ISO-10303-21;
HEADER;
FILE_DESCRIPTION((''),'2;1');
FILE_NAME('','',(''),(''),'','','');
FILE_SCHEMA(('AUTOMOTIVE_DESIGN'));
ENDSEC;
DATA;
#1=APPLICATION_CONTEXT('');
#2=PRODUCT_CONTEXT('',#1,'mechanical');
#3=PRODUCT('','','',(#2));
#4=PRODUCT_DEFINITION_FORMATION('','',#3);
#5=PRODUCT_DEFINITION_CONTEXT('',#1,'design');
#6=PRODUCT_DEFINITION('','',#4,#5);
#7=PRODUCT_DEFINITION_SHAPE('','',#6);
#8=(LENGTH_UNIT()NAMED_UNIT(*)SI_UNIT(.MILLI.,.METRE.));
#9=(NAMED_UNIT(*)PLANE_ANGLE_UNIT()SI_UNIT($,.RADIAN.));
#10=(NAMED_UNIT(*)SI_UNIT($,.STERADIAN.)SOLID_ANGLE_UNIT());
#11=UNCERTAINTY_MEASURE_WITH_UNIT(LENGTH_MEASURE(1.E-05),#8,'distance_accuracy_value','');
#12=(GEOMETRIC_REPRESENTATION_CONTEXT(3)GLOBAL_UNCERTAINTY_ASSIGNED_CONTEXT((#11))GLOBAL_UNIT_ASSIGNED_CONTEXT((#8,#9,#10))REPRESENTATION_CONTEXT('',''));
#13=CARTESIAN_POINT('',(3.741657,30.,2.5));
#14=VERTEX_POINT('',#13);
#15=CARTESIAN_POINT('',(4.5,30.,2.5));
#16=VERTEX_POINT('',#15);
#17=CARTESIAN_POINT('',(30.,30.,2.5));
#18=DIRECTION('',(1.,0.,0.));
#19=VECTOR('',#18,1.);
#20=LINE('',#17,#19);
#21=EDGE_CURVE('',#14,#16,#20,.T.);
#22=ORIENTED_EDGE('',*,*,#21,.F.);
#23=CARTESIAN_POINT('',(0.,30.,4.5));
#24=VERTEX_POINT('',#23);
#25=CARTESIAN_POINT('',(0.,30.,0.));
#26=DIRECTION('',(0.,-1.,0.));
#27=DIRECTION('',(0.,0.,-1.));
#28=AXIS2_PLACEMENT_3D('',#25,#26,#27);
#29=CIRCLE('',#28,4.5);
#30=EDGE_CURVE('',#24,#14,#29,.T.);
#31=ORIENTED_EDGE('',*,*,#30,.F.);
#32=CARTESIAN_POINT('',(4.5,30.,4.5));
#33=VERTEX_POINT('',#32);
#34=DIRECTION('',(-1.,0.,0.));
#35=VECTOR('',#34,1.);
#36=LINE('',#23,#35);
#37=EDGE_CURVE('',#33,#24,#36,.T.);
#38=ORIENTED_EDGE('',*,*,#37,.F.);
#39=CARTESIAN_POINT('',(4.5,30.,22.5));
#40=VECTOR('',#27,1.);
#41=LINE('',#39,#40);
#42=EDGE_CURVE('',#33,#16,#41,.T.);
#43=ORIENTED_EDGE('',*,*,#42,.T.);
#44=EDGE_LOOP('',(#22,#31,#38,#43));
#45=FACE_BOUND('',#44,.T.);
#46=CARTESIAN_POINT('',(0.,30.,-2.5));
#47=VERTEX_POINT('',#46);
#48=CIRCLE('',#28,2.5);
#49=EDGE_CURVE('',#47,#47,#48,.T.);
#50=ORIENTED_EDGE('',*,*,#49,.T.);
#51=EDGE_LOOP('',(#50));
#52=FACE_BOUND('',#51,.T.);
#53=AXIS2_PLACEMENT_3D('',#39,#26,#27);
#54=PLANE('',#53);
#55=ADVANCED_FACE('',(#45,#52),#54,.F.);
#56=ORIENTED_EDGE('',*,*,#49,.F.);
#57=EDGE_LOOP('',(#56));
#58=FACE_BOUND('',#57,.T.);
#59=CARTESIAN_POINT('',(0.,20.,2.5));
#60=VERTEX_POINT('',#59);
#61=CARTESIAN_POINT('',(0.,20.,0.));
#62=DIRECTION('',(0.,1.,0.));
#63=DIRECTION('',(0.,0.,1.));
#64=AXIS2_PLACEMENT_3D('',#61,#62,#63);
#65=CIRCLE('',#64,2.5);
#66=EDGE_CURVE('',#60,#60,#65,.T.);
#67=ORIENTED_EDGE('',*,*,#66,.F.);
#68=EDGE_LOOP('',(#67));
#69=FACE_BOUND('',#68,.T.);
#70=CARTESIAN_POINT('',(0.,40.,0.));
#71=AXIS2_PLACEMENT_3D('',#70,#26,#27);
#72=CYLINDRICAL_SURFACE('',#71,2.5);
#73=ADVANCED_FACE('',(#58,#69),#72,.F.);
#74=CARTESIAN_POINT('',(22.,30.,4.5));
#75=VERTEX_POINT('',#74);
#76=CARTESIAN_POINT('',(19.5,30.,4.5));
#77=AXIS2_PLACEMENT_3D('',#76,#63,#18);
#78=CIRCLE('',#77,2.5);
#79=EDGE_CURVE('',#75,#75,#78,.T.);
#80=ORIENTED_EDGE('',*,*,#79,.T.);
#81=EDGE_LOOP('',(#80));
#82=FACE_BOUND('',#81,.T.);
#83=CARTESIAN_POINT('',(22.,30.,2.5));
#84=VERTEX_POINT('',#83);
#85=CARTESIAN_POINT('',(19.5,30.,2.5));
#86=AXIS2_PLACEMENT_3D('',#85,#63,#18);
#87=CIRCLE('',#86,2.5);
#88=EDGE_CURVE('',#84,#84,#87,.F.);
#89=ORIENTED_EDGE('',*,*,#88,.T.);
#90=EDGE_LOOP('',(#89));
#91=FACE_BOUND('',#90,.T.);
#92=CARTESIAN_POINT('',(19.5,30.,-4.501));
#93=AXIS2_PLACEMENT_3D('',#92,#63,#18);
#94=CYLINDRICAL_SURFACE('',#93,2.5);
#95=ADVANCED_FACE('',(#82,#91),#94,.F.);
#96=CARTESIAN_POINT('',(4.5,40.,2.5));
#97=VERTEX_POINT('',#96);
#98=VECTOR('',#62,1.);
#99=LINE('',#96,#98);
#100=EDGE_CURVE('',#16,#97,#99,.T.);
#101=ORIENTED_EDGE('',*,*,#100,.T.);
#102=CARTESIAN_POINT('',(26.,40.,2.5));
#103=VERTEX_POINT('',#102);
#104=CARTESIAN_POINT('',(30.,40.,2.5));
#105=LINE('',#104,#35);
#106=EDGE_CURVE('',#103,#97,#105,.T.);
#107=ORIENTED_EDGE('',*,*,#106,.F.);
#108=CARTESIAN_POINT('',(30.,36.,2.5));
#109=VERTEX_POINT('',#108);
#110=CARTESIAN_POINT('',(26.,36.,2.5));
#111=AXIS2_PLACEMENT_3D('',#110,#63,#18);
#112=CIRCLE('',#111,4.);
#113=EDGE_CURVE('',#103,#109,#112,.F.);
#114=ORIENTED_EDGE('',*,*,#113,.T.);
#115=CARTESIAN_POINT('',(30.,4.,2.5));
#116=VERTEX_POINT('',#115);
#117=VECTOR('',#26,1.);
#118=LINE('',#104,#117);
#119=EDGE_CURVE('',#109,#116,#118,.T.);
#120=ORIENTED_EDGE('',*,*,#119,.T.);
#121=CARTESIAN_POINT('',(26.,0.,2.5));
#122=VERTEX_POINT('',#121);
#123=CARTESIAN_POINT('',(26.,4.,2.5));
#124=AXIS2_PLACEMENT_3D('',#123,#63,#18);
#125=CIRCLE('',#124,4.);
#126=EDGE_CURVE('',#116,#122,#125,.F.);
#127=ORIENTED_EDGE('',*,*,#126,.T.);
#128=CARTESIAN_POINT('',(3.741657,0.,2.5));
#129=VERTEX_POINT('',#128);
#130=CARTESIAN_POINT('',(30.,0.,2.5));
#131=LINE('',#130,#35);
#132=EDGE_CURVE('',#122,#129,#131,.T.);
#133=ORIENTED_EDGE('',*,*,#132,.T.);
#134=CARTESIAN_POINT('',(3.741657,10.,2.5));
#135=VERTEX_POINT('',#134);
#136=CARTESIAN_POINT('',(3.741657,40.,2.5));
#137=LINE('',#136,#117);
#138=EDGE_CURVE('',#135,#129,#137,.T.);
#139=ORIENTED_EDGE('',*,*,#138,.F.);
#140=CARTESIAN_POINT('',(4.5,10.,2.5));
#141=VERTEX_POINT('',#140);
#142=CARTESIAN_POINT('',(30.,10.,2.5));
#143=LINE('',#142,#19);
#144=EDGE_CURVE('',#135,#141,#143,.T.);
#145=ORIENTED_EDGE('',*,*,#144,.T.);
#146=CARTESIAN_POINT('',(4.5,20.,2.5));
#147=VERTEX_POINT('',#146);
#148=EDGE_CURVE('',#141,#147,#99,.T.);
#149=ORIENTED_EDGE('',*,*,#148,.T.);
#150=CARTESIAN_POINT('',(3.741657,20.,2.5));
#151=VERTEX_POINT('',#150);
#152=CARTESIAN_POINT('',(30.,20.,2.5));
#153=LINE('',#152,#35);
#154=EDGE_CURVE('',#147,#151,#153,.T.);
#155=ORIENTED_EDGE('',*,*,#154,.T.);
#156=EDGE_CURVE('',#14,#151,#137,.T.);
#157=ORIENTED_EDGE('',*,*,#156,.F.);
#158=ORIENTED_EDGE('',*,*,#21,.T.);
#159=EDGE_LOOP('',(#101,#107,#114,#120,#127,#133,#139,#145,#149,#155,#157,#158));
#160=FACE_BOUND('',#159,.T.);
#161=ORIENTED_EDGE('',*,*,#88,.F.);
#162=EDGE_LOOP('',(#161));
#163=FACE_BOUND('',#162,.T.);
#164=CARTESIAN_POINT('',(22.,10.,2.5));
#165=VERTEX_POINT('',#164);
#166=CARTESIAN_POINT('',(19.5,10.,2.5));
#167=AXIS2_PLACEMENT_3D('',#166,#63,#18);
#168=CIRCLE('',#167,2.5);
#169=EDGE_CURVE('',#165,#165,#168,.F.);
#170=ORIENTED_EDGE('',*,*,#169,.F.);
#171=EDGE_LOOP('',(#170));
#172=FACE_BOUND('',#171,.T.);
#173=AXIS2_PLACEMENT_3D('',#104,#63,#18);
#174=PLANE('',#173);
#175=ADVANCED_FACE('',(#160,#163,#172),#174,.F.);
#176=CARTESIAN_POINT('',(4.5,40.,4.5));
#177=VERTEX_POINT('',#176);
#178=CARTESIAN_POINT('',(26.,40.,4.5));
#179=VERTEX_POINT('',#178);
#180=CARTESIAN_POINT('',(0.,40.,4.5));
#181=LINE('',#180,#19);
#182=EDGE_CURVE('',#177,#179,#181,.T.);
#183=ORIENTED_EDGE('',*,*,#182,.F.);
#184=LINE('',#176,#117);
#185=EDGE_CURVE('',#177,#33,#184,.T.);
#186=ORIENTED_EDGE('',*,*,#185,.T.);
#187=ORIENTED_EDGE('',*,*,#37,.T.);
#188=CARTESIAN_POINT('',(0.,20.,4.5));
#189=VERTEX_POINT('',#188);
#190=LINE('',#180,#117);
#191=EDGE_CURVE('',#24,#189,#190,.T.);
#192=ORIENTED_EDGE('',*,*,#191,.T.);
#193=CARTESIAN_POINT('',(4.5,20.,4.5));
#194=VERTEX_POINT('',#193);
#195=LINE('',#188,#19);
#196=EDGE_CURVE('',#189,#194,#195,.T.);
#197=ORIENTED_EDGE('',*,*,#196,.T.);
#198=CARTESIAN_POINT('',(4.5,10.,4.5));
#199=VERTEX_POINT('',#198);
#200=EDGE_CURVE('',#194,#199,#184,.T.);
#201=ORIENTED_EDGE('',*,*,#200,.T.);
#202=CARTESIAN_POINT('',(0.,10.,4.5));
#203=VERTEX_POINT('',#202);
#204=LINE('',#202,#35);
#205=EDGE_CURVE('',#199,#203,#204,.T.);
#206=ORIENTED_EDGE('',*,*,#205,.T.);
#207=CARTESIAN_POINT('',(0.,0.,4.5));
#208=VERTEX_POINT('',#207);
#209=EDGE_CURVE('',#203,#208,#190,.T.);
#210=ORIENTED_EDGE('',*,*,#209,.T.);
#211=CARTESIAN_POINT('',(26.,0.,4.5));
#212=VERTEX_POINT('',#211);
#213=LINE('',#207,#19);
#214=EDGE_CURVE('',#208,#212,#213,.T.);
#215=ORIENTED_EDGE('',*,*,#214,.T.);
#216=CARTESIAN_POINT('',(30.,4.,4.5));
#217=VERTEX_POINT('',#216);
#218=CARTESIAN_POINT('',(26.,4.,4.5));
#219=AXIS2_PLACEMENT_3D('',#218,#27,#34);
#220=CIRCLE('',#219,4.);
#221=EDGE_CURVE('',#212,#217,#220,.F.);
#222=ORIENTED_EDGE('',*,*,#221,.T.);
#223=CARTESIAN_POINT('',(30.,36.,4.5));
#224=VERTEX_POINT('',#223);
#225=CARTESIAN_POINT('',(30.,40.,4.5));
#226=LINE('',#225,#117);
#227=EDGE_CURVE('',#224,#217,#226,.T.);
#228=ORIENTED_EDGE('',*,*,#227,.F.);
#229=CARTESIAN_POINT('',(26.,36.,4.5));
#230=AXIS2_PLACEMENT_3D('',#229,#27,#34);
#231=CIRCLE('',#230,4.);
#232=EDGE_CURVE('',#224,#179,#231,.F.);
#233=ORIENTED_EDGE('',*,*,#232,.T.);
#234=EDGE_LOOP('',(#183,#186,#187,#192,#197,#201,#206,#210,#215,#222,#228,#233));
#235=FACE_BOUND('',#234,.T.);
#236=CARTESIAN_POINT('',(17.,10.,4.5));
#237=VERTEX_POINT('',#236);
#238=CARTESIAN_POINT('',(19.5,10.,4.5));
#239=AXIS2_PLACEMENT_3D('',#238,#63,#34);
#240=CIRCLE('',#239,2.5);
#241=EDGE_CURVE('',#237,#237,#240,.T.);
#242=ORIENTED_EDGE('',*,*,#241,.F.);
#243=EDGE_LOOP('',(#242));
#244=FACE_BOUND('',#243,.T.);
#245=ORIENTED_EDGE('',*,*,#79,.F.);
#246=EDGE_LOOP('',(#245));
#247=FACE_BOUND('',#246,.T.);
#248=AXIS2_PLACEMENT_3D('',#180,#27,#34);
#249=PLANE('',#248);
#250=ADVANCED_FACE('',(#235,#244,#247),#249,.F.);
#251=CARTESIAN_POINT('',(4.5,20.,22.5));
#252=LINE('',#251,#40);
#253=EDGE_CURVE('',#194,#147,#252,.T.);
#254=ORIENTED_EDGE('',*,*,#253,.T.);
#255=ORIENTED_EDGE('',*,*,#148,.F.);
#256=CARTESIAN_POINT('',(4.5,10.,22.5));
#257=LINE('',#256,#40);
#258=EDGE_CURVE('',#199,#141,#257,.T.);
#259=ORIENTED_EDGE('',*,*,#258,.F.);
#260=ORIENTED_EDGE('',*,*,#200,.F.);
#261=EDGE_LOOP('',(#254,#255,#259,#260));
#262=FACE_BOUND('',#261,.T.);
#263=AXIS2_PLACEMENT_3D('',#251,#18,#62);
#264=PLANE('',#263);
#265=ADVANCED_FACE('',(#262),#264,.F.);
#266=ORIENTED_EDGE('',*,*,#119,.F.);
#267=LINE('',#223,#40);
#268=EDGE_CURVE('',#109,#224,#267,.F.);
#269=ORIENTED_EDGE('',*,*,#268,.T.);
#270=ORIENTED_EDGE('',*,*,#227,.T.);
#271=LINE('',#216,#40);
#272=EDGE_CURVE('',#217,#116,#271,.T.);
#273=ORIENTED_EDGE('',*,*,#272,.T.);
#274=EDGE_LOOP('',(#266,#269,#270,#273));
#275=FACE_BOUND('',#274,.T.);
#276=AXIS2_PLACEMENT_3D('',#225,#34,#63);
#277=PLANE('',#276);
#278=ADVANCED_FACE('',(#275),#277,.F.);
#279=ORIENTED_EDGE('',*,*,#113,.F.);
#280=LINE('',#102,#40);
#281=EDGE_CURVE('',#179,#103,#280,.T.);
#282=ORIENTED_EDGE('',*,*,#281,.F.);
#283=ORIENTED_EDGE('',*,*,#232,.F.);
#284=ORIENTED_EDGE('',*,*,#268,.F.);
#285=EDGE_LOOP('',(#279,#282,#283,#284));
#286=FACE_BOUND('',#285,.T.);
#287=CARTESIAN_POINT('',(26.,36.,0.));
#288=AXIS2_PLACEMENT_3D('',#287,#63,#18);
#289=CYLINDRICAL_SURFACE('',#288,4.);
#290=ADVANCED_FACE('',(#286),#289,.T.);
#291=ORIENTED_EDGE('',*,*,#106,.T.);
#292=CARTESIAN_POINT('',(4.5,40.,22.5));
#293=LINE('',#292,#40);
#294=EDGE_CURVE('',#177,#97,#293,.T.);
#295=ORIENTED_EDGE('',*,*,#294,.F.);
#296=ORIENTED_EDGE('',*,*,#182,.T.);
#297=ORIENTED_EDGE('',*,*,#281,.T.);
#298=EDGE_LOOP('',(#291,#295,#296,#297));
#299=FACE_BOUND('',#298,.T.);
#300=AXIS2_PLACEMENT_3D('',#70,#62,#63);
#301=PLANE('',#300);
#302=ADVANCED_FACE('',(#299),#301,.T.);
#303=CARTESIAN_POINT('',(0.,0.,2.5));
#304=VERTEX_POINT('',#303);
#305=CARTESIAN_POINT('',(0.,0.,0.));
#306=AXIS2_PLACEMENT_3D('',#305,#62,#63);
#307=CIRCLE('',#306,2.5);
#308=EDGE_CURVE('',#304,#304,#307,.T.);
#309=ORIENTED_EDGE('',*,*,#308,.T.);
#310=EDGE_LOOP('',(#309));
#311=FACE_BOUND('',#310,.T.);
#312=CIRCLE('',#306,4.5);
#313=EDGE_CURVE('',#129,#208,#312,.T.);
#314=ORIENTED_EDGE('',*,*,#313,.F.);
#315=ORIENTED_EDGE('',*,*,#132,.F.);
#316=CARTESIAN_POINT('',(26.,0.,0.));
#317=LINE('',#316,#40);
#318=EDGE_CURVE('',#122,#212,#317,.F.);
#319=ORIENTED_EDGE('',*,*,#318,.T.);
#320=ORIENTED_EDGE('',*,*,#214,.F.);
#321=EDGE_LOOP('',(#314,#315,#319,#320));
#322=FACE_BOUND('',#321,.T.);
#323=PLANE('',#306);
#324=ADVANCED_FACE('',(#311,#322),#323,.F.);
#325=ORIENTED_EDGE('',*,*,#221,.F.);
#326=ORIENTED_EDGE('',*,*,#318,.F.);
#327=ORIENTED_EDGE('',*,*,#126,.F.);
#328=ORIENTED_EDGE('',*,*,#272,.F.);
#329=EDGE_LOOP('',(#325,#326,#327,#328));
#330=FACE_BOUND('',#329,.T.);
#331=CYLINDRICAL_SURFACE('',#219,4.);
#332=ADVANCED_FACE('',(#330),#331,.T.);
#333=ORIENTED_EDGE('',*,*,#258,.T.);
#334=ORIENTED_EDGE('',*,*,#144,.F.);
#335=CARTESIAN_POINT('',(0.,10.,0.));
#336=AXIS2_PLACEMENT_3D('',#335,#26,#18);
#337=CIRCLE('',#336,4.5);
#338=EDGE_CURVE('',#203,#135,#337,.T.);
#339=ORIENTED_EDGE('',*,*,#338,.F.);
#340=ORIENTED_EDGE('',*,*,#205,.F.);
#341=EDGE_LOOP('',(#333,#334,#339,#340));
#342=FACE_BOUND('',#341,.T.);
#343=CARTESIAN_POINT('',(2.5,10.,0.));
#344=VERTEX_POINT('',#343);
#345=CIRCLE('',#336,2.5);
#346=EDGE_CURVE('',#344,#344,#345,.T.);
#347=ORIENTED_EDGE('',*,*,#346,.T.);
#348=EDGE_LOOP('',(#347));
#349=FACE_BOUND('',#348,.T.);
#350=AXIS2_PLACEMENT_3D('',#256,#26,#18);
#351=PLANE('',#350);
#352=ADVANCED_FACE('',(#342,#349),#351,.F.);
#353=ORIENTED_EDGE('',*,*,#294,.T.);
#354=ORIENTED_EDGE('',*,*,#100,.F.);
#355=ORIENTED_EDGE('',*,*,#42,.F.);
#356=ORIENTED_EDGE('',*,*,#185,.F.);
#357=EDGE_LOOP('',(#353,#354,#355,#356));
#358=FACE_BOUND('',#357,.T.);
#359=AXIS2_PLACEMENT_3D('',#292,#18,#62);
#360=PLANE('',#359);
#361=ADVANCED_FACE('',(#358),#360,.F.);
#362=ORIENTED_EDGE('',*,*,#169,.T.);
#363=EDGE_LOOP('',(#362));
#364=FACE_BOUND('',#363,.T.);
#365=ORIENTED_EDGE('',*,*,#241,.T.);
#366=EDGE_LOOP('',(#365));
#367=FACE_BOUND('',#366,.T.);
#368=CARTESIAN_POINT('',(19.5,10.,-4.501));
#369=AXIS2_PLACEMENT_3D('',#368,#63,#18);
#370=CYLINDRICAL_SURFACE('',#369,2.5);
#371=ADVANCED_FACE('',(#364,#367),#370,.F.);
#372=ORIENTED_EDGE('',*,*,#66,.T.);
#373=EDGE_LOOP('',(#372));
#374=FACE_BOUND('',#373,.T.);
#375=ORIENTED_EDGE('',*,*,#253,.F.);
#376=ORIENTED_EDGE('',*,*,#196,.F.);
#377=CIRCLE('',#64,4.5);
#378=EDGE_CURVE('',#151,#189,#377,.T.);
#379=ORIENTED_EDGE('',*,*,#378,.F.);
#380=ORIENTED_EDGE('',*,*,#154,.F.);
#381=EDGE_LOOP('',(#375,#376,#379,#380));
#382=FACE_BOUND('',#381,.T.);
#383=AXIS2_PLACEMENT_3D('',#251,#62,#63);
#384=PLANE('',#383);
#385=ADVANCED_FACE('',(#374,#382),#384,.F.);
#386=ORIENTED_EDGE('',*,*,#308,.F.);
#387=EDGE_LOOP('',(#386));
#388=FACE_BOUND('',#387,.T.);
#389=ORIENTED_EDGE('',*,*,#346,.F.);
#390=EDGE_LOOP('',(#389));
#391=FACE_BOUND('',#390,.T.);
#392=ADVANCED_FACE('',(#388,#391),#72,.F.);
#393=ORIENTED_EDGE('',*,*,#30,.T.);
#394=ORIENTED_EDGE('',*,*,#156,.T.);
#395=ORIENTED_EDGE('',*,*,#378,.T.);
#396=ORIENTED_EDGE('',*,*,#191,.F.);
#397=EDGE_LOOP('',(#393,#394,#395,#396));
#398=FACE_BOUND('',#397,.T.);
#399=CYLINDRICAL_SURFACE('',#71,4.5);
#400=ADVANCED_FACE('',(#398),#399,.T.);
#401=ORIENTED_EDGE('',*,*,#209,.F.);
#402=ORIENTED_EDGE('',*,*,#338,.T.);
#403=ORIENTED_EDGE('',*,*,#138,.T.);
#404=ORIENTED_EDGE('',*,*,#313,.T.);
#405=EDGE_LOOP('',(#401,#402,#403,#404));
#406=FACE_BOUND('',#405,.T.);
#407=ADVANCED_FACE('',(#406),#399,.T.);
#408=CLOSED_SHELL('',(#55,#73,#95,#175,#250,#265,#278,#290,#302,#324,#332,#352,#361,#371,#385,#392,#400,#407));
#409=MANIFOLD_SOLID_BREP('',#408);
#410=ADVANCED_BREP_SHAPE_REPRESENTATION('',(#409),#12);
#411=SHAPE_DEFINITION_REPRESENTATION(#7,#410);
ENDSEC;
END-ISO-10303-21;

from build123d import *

# Parameters (mm, degrees)
SKETCH_1_R          = 2.5
EXTRUDE_1_DEPTH     = 40
CUT_EXTRUDE_1_REACH = 52.804
SKETCH_2_R          = 2.5
SKETCH_3_W          = 9
SKETCH_3_H          = 10
CUT_EXTRUDE_2_DEPTH = 20
FILLET_1_R          = 4


with BuildPart() as part:
    # 草图1 → 凸台-拉伸1 (new body)
    with BuildSketch(Plane(origin=(0, 0, 0), x_dir=(1, 0, 0), z_dir=(0, 1, 0))):
        with BuildLine():
            Line((0, -4.5), (30, -4.5))
            Line((30, -4.5), (30, -2.5))
            Line((30, -2.5), (3.741657387, -2.5))
            ThreePointArc((3.741657387, -2.5), (-2.121320344, 3.968626967), (0, -4.5))
        make_face()
        with Locations(Location((0, 0, 0), (0, 0, 270))):
            Circle(SKETCH_1_R, mode=Mode.SUBTRACT)
    extrude(amount=EXTRUDE_1_DEPTH)

    # 草图2 → 切除-拉伸1 (cut, up to next)
    with BuildSketch(Plane.XY.offset(4.5), mode=Mode.PRIVATE) as cut_extrude_1_sk1:
        with Locations((19.5, 30)):
            Circle(SKETCH_2_R)
    cut_extrude_1_tool1 = extrude(cut_extrude_1_sk1.sketch, amount=-CUT_EXTRUDE_1_REACH, mode=Mode.PRIVATE) & part.part
    # 草图2 → 切除-拉伸1 (cut, up to next)
    with BuildSketch(Plane.XY.offset(4.5), mode=Mode.PRIVATE) as cut_extrude_1_sk2:
        with Locations((19.5, 10)):
            Circle(SKETCH_2_R)
    cut_extrude_1_tool2 = extrude(cut_extrude_1_sk2.sketch, amount=-CUT_EXTRUDE_1_REACH, mode=Mode.PRIVATE) & part.part
    add(cut_extrude_1_tool1.solids().sort_by_distance((19.5, 30, 4.5))[0], mode=Mode.SUBTRACT)
    add(cut_extrude_1_tool2.solids().sort_by_distance((19.5, 10, 4.5))[0], mode=Mode.SUBTRACT)

    # 草图3 → 切除-拉伸2 (cut, symmetric)
    with BuildSketch(Plane(origin=(0, 0, 2.5), x_dir=(-1, 0, 0), z_dir=(0, 0, -1))):
        with Locations((0, 35)):
            Rectangle(SKETCH_3_W, SKETCH_3_H)
        with Locations((0, 15)):
            Rectangle(SKETCH_3_W, SKETCH_3_H)
    extrude(amount=CUT_EXTRUDE_2_DEPTH, both=True, mode=Mode.SUBTRACT)

    # 圆角1
    fillet_1_edges = [part.edges().sort_by_distance(p)[0] for p in [
        (30, 40, 3.5),
        (30, 0, 3.5),
    ]]
    fillet(fillet_1_edges, radius=FILLET_1_R)


solid = part.part
